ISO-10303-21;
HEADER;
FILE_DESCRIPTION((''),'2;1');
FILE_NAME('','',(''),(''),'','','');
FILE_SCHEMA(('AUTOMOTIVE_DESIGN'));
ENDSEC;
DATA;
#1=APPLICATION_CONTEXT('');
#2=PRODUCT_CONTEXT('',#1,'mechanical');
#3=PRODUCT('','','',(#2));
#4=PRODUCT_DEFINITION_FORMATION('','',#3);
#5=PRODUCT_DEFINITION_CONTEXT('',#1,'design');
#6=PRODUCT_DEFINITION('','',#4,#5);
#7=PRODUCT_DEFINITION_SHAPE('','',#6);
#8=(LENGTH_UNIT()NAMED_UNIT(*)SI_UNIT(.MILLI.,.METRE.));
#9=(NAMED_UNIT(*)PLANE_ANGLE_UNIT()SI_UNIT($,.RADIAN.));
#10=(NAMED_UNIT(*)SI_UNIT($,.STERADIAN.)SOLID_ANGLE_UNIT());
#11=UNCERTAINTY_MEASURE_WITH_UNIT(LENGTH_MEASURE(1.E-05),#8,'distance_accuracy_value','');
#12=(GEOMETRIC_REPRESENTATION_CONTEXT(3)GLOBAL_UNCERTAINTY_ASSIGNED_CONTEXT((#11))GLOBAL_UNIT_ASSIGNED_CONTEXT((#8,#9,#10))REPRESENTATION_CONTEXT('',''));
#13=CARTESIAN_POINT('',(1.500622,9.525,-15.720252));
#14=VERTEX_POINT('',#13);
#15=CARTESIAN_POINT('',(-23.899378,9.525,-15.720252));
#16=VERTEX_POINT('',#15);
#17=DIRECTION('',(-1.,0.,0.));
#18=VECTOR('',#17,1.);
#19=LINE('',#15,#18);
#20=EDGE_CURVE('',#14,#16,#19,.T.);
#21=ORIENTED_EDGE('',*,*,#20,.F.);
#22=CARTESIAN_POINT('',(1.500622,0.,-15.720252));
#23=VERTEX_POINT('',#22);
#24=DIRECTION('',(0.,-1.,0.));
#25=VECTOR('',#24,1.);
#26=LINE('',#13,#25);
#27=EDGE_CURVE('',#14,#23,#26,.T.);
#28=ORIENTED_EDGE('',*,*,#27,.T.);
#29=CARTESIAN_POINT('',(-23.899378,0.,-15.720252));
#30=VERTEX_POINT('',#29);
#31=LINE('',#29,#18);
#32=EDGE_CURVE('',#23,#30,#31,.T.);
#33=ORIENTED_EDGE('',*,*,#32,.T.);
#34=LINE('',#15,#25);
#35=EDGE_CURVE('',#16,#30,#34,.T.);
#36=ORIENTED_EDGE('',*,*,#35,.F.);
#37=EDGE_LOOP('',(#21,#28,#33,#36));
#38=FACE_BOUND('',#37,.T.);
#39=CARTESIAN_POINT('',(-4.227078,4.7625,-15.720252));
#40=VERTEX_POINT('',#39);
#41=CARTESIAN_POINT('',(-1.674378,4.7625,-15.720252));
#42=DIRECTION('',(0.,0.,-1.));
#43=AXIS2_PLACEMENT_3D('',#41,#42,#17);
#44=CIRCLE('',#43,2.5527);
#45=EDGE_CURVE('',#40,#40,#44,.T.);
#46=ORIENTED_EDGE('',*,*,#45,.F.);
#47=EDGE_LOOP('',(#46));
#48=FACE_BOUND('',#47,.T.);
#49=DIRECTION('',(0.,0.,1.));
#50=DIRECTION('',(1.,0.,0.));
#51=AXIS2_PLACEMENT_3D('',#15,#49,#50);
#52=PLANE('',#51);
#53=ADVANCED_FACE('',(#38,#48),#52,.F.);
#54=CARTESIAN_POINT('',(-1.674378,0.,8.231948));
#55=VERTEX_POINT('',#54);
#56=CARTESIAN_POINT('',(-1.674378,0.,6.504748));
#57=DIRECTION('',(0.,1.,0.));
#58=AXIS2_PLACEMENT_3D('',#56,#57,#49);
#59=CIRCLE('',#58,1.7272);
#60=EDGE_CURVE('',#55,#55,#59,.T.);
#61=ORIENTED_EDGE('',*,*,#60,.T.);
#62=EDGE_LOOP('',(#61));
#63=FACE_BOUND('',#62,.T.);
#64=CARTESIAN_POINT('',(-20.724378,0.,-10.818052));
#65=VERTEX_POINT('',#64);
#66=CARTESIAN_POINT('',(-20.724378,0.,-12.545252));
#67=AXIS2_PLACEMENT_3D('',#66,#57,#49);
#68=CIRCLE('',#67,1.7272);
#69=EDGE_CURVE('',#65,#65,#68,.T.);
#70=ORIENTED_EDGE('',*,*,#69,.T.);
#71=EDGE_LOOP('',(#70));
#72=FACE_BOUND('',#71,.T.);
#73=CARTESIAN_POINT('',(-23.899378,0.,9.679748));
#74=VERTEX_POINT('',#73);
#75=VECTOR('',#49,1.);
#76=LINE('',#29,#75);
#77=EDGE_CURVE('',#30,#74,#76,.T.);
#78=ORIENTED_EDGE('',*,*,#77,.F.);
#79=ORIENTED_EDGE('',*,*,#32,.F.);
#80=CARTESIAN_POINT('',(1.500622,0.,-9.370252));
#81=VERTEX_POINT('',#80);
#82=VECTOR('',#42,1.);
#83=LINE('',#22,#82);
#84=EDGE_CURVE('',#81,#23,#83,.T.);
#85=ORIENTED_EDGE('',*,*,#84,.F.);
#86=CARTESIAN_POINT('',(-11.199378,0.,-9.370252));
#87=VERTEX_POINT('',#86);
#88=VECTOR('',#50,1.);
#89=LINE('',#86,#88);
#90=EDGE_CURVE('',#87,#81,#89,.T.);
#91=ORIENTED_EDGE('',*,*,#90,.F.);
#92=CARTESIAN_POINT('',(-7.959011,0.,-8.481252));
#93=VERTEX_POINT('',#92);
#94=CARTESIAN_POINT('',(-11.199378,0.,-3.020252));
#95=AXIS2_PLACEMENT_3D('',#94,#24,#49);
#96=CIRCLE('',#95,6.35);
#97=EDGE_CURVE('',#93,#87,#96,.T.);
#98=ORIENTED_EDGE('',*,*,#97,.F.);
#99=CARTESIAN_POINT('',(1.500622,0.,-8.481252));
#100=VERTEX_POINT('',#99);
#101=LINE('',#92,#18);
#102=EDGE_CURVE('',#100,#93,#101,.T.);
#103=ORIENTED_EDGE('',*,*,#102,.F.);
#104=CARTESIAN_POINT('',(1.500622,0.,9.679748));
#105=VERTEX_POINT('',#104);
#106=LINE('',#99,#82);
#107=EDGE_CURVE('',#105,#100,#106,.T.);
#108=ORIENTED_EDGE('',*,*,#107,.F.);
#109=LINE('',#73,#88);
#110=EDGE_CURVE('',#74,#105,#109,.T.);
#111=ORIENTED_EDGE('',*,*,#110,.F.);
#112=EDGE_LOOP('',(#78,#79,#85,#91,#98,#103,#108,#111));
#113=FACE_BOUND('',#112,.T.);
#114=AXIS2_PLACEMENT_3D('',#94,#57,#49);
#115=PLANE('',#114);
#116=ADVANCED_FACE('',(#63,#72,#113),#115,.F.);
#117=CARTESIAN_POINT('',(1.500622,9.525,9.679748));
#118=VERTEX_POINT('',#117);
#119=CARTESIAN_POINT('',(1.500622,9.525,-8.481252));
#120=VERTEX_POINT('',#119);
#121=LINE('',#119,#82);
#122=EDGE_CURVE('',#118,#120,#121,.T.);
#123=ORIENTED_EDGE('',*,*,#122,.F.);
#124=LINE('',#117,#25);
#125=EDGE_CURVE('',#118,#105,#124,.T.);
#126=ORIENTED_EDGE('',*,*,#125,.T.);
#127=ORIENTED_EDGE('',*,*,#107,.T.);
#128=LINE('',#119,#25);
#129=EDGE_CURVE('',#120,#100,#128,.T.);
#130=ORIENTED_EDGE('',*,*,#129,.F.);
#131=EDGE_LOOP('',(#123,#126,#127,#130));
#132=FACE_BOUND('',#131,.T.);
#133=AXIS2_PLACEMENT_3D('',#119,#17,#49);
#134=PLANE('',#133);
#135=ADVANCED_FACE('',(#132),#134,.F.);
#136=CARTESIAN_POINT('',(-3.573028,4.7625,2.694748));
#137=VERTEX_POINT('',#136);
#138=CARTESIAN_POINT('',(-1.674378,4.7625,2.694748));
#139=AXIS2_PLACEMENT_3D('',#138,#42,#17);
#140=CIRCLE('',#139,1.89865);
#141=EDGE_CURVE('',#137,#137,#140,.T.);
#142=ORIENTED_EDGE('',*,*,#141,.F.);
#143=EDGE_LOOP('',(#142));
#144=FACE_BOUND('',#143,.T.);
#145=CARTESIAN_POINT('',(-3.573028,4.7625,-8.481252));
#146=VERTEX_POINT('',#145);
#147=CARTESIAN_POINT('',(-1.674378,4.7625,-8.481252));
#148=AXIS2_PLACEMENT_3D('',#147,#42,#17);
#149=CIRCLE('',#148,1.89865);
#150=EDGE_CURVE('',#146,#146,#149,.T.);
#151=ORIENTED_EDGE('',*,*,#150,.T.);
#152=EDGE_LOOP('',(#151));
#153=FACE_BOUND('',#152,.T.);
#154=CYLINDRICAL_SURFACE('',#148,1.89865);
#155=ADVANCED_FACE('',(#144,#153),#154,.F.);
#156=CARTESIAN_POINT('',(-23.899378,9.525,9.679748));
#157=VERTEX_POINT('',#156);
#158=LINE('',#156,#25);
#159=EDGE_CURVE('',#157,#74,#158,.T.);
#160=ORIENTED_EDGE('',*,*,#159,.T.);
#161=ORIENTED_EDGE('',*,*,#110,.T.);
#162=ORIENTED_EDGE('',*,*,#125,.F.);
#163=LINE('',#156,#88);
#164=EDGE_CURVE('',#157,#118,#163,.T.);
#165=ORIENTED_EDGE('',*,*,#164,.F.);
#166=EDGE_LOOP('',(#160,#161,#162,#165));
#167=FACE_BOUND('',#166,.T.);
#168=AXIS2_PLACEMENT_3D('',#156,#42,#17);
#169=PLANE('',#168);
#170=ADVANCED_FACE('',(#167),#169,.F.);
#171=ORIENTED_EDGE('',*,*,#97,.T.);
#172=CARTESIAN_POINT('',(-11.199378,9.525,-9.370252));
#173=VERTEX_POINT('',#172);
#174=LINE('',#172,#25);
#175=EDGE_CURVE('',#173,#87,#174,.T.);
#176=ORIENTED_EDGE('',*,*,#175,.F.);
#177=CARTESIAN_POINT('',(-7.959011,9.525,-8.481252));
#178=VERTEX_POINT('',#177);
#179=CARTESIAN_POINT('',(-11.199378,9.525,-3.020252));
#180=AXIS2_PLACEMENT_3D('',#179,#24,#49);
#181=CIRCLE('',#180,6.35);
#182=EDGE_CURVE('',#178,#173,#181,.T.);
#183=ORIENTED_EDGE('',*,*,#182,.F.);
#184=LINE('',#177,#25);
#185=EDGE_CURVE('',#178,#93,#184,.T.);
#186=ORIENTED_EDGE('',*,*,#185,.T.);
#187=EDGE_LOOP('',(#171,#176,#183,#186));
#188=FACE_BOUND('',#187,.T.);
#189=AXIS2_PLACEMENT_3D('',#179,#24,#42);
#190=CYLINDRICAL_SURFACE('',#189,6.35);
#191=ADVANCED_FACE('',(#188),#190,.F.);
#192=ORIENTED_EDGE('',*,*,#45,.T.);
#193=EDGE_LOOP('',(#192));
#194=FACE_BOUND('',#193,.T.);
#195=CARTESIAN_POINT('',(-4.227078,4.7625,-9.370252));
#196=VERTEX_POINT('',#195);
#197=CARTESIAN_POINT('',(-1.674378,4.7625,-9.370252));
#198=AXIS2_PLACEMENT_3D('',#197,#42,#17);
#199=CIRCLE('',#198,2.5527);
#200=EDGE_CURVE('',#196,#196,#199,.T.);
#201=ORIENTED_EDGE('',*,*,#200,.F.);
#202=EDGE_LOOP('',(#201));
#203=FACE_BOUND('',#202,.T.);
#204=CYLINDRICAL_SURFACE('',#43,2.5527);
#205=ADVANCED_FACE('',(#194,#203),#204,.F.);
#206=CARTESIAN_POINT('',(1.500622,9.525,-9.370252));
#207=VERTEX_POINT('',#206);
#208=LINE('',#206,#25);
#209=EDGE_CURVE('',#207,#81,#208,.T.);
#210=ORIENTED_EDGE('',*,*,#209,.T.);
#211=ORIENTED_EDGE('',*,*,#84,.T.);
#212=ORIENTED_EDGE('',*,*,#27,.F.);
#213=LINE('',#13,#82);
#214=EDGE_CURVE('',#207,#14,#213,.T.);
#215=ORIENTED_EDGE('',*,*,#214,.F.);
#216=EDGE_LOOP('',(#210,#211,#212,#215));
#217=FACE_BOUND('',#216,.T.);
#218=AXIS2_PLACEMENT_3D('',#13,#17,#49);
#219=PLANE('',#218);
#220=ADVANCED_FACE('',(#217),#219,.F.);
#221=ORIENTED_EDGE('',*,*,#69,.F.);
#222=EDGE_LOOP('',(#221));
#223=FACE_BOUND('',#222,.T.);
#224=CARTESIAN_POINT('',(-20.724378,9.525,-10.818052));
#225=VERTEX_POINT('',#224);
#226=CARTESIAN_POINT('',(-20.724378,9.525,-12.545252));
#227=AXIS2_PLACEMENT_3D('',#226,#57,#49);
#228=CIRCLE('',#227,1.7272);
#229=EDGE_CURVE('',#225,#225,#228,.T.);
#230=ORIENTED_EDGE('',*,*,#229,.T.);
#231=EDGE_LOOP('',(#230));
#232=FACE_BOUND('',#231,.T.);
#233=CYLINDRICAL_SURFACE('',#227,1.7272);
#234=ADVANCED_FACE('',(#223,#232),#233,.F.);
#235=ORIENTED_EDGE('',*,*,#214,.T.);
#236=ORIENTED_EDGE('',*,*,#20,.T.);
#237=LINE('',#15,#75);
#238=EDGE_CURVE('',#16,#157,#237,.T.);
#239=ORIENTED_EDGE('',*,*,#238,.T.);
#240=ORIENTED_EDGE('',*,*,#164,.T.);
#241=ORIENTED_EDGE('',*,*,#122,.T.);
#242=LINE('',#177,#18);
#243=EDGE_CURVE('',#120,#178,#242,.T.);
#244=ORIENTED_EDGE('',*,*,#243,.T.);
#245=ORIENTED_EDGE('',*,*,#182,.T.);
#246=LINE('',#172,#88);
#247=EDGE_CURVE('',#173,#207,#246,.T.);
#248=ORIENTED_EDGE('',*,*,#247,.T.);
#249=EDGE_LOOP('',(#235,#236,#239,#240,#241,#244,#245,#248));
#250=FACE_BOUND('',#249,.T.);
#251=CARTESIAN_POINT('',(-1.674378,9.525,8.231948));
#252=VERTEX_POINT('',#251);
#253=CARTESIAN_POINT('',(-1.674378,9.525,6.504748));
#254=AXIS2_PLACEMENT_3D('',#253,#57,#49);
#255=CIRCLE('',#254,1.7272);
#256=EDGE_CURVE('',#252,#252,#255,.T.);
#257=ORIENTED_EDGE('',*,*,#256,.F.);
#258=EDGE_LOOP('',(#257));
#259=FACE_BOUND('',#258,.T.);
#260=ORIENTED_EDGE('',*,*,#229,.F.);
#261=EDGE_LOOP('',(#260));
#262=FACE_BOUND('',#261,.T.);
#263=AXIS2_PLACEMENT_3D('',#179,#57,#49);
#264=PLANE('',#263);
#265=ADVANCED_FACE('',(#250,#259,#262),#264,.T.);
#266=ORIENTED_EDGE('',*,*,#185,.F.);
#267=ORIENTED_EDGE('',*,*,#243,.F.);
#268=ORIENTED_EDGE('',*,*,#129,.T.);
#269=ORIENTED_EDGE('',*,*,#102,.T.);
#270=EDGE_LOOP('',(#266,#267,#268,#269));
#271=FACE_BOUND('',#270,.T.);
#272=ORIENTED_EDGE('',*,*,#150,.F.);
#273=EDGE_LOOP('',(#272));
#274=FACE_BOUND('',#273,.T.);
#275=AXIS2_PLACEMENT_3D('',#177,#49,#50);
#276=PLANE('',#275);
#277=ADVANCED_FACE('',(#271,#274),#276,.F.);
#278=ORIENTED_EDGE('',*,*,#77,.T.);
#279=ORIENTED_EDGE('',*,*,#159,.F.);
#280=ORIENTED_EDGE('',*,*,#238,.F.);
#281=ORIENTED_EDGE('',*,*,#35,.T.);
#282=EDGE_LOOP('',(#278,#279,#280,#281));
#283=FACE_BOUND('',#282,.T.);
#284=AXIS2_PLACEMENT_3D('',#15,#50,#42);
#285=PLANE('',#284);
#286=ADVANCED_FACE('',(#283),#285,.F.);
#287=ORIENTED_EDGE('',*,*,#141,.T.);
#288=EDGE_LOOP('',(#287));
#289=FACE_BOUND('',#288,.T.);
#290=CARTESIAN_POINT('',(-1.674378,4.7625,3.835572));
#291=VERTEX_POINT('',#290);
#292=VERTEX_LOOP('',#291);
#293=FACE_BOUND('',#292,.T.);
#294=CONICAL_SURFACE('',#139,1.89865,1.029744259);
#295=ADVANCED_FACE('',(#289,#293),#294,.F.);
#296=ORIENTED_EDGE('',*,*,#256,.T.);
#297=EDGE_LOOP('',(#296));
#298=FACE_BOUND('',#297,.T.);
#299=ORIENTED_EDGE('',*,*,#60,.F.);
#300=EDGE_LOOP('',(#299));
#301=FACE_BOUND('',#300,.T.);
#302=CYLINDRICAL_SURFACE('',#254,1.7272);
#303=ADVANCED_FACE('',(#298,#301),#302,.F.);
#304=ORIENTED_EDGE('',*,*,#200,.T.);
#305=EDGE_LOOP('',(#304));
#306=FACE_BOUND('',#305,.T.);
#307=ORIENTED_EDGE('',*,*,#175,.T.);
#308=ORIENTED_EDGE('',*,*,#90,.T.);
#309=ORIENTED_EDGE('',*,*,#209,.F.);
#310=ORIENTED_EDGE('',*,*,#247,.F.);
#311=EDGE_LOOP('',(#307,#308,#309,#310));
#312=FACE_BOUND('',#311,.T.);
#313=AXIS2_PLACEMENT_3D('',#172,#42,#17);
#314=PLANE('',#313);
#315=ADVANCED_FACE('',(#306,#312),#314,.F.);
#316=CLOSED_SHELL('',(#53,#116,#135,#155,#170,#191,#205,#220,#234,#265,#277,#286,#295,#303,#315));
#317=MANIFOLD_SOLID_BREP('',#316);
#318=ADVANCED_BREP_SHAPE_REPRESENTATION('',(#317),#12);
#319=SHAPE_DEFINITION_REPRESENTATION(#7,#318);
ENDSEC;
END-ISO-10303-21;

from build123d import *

# Parameters (mm, degrees)
BOSS_EXTRUDE1_DEPTH        = 9.525
F_8_32_TAPPED_HOLE1_D      = 3.4544
F_10_CLEARANCE_HOLE1_D     = 5.1054
F_10_CLEARANCE_HOLE1_DEPTH = 6.35


with BuildPart() as part:
    # Sketch1 → Boss-Extrude1 (new body)
    with BuildSketch(Plane(origin=(0, 0, 0), x_dir=(1, 0, 0), z_dir=(0, 1, 0))):
        with BuildLine():
            Line((1.500621967, 8.481252019), (1.500621967, -9.679747981))
            Line((1.500621967, -9.679747981), (-23.899378033, -9.679747981))
            Line((-23.899378033, -9.679747981), (-23.899378033, 15.720252019))
            Line((-23.899378033, 15.720252019), (1.500621967, 15.720252019))
            Line((1.500621967, 15.720252019), (1.500621967, 9.370252019))
            Line((1.500621967, 9.370252019), (-11.199378033, 9.370252019))
            ThreePointArc((-11.199378033, 9.370252019), (-12.879430115, -3.103466214), (-7.959010924, 8.481252019))
            Line((-7.959010924, 8.481252019), (1.500621967, 8.481252019))
        make_face()
    extrude(amount=BOSS_EXTRUDE1_DEPTH)

    # #8-32 Tapped Hole1 (through all)
    with Locations(Plane(origin=(0, 9.525, 0), x_dir=(1, 0, 0), z_dir=(0, 1, 0))):
        with Locations((-20.724378033, 12.545252019), (-1.674378033, -6.504747981)):
            Hole(F_8_32_TAPPED_HOLE1_D / 2)

    # Sketch4 → #10-24 Tapped Hole1 (revolve, cut)
    with BuildSketch(Plane(origin=(-1.674378033, 4.7625, -8.481252019), x_dir=(0, 1, 0), z_dir=(1, 0, 0))):
        Polygon((0, 0), (0, 12.316824014), (1.89865, 11.176), (1.89865, 0), align=None)
    revolve(axis=Axis((-1.674378033, 4.7625, -14.831252019), (0, 0, 1)), mode=Mode.SUBTRACT)

    # #10 Clearance Hole1
    with Locations(Plane(origin=(0, 0, -15.720252019), x_dir=(-1, 0, 0), z_dir=(0, 0, -1))):
        with Locations((1.674378033, 4.7625)):
            Hole(F_10_CLEARANCE_HOLE1_D / 2, depth=F_10_CLEARANCE_HOLE1_DEPTH)


solid = part.part
